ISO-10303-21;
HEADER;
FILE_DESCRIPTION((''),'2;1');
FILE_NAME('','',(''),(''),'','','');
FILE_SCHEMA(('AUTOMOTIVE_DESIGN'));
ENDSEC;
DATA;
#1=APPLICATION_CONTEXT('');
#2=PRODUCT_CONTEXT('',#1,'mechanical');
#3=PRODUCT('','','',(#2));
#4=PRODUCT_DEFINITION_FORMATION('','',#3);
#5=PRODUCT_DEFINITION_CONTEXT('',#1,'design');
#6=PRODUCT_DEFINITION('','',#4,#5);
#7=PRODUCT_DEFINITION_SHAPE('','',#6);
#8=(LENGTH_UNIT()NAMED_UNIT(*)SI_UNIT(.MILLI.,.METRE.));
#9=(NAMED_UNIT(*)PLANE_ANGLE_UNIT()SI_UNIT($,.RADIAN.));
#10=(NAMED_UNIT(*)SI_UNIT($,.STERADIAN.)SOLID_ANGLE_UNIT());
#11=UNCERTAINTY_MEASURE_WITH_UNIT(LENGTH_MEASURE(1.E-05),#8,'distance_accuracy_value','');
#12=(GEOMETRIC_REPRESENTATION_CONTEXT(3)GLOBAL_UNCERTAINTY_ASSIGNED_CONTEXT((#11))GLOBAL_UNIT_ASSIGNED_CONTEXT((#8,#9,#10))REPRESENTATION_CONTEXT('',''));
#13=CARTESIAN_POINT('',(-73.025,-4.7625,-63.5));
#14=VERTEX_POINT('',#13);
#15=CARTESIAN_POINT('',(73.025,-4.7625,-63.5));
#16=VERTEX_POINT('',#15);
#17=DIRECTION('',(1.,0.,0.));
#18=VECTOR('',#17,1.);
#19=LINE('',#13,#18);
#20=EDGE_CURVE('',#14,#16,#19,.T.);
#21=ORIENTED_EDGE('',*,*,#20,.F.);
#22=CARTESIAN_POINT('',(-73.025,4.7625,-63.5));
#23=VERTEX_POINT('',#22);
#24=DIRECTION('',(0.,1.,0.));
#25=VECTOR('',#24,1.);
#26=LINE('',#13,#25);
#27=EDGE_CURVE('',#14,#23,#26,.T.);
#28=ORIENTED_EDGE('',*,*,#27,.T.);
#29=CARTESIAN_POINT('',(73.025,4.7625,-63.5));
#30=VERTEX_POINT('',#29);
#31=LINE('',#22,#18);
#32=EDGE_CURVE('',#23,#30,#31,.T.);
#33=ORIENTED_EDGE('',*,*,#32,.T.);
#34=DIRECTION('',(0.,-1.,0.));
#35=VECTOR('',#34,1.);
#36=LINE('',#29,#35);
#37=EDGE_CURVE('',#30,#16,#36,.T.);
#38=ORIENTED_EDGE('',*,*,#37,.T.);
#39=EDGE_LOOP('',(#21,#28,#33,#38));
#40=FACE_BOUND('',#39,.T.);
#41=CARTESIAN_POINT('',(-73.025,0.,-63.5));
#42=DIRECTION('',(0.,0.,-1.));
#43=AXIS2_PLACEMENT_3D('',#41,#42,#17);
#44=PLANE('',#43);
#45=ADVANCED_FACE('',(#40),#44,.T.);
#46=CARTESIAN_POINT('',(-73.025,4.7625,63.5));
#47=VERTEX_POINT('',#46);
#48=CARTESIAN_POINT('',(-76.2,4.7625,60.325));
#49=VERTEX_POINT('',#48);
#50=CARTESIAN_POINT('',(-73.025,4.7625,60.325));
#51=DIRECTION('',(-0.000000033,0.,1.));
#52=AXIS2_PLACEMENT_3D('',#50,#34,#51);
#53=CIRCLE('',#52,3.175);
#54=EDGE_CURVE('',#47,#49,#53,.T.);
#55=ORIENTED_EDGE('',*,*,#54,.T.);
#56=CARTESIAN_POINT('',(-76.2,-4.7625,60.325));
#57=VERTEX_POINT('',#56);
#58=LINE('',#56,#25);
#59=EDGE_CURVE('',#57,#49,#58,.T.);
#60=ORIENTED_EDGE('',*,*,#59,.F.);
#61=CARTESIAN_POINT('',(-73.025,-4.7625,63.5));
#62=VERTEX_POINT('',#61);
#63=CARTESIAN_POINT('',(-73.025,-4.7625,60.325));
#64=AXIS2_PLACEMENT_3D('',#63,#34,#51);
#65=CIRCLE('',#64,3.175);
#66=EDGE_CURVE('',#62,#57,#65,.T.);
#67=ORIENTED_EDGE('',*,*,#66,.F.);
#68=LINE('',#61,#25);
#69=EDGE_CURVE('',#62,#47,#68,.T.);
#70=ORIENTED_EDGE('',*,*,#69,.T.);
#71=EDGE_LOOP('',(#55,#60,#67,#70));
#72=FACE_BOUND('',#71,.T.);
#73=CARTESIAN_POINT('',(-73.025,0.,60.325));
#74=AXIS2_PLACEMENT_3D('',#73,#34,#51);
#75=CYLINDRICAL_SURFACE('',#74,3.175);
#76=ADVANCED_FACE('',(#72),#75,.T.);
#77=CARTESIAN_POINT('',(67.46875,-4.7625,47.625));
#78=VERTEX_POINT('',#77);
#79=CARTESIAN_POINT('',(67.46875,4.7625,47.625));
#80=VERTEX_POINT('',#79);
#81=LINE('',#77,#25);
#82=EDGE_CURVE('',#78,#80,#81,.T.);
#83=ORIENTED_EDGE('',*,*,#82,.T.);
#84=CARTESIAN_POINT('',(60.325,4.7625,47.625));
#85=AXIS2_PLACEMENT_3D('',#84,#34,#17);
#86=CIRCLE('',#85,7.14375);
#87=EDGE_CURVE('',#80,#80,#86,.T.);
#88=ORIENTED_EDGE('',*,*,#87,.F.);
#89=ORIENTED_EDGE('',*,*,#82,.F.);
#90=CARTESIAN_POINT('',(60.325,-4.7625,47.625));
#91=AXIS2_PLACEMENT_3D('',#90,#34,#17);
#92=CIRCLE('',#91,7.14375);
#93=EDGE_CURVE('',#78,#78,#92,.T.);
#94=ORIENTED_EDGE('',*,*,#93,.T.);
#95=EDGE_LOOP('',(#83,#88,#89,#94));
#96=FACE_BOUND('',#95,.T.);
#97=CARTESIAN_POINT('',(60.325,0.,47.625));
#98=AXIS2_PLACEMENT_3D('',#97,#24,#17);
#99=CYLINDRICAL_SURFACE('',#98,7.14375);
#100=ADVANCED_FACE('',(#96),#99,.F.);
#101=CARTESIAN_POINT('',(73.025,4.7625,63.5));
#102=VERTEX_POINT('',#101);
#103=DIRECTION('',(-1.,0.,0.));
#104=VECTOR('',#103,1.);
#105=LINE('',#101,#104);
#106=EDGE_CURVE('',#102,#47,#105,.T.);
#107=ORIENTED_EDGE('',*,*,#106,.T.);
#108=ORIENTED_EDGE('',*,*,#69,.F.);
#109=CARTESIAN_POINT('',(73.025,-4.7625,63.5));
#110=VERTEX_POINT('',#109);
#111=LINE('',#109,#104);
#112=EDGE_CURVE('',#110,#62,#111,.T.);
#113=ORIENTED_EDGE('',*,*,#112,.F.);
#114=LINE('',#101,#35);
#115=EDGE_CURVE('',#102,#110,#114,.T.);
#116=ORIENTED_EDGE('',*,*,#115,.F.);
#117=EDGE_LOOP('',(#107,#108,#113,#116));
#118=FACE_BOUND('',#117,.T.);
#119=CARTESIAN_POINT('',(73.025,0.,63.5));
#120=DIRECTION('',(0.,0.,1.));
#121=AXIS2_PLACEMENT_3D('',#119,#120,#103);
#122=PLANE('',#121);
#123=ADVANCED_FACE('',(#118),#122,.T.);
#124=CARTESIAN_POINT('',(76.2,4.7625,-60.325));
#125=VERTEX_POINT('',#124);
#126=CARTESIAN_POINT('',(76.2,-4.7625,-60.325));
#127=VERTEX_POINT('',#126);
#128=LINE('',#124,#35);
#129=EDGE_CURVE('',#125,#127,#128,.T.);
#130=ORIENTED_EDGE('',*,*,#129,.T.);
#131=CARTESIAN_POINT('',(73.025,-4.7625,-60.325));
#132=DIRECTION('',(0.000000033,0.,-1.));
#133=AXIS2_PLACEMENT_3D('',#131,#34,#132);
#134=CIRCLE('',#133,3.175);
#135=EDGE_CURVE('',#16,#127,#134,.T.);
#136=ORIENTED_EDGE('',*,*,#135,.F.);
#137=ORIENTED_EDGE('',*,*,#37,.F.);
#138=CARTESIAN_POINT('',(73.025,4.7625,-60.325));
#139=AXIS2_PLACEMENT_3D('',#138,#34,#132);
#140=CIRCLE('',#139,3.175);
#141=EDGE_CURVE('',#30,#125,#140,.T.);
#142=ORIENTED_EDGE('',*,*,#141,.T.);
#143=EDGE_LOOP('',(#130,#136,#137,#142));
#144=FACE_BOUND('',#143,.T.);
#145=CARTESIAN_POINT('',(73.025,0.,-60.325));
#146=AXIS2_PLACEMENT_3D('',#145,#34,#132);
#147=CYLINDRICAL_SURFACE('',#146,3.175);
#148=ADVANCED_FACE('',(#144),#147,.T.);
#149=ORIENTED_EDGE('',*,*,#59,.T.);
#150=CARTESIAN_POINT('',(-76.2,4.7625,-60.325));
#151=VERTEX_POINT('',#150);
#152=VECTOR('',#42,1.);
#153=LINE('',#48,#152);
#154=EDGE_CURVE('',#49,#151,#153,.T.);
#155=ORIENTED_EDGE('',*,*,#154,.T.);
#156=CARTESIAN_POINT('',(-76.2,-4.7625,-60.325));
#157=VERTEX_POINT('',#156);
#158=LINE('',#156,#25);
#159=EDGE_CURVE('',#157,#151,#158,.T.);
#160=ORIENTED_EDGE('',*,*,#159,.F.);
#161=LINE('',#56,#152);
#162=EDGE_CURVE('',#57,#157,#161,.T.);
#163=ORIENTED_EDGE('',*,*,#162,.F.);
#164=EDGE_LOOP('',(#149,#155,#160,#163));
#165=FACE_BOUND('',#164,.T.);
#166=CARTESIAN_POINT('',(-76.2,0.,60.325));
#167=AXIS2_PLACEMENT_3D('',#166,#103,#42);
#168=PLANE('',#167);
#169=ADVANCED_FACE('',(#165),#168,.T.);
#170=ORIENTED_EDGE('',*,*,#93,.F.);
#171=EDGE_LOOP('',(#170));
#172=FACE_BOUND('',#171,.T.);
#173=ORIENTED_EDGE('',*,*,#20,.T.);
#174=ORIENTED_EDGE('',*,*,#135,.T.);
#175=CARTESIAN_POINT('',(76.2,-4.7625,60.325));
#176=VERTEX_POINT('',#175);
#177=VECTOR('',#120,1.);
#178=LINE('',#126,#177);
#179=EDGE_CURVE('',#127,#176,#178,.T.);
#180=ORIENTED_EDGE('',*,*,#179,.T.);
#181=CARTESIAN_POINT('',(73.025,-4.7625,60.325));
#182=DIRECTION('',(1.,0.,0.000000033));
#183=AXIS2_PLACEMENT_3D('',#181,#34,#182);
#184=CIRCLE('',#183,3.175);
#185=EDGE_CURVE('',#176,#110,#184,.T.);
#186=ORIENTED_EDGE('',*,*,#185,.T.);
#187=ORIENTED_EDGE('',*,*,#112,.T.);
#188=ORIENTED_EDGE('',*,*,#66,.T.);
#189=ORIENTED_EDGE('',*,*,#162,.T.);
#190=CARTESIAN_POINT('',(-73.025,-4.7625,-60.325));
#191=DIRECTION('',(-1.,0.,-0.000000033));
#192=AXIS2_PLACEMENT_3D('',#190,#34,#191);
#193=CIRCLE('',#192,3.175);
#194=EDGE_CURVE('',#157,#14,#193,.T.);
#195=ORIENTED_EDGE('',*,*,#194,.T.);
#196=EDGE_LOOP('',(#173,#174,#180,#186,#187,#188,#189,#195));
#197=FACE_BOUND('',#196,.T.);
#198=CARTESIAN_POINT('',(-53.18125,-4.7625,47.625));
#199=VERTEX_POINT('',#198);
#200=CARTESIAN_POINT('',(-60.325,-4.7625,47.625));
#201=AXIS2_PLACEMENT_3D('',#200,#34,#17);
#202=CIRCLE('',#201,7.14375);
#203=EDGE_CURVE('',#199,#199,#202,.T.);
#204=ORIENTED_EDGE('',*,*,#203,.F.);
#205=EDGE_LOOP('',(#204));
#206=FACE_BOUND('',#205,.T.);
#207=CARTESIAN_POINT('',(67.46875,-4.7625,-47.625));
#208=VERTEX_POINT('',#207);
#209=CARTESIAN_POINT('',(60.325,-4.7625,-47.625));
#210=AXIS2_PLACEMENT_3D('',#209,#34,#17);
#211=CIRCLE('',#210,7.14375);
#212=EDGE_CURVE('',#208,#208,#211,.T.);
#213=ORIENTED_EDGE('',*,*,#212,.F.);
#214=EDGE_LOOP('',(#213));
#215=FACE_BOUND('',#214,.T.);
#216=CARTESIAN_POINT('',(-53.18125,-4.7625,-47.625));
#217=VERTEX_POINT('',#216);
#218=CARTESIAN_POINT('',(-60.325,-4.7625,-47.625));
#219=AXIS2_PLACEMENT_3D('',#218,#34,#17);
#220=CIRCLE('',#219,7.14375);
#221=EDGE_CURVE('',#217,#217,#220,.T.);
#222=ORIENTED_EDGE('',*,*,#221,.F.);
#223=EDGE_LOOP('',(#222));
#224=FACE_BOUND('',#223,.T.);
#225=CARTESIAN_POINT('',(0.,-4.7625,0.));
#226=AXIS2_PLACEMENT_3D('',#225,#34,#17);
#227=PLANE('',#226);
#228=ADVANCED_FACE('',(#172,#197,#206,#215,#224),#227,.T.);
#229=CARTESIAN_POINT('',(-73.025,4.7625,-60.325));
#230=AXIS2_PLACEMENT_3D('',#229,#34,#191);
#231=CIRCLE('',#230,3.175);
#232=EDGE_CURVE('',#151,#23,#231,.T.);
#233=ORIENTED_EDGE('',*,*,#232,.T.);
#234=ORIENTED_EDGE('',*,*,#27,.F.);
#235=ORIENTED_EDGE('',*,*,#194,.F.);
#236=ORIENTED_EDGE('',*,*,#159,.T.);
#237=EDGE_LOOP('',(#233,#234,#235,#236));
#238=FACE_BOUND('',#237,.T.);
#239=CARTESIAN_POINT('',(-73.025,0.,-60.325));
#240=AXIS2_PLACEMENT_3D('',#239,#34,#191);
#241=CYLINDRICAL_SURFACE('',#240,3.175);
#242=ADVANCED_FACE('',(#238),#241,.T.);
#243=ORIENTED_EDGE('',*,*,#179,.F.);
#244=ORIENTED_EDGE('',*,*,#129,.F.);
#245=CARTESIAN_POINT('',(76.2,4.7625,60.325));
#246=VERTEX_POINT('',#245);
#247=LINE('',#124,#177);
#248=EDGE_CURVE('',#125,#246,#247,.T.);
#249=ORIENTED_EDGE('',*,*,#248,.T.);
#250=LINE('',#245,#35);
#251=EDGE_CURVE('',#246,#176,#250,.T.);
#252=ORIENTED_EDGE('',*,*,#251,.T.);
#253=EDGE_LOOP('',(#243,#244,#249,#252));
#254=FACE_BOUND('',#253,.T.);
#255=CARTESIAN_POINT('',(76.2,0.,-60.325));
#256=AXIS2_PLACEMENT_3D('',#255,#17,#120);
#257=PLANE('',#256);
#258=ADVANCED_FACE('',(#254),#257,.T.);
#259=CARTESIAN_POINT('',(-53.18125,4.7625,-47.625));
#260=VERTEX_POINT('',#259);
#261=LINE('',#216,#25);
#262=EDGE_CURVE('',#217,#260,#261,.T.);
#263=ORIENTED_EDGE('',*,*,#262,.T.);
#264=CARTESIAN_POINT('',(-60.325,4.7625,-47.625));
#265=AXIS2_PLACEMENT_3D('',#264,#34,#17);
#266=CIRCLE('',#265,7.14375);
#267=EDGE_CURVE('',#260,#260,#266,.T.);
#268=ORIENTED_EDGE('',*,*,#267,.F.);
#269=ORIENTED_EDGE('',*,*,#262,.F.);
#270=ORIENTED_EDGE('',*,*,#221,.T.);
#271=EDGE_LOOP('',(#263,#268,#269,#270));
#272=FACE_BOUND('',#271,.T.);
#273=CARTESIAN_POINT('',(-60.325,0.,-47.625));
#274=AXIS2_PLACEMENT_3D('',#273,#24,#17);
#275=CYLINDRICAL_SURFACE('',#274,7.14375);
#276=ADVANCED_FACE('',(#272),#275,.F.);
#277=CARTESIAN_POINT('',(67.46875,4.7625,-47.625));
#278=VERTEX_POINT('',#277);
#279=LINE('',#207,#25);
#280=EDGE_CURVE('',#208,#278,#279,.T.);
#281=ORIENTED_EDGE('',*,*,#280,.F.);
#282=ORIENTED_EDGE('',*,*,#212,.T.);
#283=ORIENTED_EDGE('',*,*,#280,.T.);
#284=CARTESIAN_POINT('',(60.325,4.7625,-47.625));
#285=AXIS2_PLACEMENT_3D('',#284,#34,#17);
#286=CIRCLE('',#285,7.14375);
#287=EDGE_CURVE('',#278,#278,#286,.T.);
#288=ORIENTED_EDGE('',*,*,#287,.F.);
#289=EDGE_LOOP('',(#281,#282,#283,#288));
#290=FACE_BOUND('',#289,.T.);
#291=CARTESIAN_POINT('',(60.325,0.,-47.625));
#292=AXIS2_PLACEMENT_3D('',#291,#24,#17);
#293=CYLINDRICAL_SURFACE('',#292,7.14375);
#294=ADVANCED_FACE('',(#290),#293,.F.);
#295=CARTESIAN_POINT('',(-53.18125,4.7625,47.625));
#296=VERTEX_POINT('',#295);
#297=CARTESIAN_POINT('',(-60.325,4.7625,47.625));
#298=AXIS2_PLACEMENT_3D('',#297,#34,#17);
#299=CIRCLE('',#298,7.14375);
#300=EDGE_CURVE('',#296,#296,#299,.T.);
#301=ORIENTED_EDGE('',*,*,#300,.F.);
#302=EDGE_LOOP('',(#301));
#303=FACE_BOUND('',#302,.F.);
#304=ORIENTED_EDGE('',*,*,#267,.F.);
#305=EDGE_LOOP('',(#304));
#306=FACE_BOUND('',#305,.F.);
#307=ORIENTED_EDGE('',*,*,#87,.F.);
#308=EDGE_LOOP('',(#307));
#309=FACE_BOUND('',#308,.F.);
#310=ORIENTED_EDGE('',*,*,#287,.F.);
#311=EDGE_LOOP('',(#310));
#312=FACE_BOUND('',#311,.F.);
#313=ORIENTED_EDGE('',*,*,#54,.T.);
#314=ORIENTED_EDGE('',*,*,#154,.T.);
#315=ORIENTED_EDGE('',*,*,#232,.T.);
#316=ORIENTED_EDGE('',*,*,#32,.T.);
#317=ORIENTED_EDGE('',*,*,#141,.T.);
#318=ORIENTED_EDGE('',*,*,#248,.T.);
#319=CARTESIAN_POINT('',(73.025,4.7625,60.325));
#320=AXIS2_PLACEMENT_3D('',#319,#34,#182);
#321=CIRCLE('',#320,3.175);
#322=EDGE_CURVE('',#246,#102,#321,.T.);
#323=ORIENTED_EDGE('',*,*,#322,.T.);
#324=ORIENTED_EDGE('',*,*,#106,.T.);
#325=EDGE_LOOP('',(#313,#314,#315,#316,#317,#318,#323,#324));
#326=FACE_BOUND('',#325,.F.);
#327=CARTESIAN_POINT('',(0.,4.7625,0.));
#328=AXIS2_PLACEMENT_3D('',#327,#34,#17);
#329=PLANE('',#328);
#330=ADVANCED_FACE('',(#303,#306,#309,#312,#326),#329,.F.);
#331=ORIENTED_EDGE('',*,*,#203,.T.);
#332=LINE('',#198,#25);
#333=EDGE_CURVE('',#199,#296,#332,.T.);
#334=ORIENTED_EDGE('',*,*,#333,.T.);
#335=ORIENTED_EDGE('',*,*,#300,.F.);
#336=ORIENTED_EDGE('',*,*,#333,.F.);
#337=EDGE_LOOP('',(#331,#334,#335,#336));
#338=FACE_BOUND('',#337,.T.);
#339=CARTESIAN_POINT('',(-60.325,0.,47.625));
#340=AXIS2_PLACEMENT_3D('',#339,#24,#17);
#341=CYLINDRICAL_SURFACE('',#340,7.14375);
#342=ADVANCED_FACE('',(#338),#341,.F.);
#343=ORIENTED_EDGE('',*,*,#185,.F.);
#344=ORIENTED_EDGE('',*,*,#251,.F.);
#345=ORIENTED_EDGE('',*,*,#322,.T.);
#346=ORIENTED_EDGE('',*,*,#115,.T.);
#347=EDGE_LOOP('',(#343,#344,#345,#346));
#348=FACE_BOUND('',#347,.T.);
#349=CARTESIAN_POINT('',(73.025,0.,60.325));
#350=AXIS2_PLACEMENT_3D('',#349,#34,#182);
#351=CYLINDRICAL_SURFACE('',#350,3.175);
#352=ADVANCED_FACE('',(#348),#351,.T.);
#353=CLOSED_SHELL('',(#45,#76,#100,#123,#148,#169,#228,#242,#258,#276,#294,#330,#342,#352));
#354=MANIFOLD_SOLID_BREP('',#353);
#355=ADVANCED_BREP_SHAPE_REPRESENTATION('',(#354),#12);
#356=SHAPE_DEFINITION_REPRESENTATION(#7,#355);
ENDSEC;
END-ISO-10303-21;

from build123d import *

# Parameters (mm, degrees)
F0_R     = 7.14375
F1_DEPTH = 4.7625


with BuildPart() as f1:
    # F0 (on Front) → F1 (new body, symmetric)
    with BuildSketch(Plane.XZ):
        with BuildLine():
            Line((-73.025, -63.5), (73.025, -63.5))
            ThreePointArc((73.025, -63.5), (75.270064, -62.570064), (76.2, -60.325))
            Line((76.2, -60.325), (76.2, 60.325))
            ThreePointArc((76.2, 60.325), (75.270064, 62.570064), (73.025, 63.5))
            Line((73.025, 63.5), (-73.025, 63.5))
            ThreePointArc((-73.025, 63.5), (-75.270064, 62.570064), (-76.2, 60.325))
            Line((-76.2, 60.325), (-76.2, -60.325))
            ThreePointArc((-76.2, -60.325), (-75.270064, -62.570064), (-73.025, -63.5))
        make_face()
        with Locations((-60.325, -47.625)):
            Circle(F0_R, mode=Mode.SUBTRACT)
        with Locations((60.325, -47.625)):
            Circle(F0_R, mode=Mode.SUBTRACT)
        with Locations((-60.325, 47.625)):
            Circle(F0_R, mode=Mode.SUBTRACT)
        with Locations((60.325, 47.625)):
            Circle(F0_R, mode=Mode.SUBTRACT)
    extrude(amount=F1_DEPTH, both=True)


solid = f1.part
